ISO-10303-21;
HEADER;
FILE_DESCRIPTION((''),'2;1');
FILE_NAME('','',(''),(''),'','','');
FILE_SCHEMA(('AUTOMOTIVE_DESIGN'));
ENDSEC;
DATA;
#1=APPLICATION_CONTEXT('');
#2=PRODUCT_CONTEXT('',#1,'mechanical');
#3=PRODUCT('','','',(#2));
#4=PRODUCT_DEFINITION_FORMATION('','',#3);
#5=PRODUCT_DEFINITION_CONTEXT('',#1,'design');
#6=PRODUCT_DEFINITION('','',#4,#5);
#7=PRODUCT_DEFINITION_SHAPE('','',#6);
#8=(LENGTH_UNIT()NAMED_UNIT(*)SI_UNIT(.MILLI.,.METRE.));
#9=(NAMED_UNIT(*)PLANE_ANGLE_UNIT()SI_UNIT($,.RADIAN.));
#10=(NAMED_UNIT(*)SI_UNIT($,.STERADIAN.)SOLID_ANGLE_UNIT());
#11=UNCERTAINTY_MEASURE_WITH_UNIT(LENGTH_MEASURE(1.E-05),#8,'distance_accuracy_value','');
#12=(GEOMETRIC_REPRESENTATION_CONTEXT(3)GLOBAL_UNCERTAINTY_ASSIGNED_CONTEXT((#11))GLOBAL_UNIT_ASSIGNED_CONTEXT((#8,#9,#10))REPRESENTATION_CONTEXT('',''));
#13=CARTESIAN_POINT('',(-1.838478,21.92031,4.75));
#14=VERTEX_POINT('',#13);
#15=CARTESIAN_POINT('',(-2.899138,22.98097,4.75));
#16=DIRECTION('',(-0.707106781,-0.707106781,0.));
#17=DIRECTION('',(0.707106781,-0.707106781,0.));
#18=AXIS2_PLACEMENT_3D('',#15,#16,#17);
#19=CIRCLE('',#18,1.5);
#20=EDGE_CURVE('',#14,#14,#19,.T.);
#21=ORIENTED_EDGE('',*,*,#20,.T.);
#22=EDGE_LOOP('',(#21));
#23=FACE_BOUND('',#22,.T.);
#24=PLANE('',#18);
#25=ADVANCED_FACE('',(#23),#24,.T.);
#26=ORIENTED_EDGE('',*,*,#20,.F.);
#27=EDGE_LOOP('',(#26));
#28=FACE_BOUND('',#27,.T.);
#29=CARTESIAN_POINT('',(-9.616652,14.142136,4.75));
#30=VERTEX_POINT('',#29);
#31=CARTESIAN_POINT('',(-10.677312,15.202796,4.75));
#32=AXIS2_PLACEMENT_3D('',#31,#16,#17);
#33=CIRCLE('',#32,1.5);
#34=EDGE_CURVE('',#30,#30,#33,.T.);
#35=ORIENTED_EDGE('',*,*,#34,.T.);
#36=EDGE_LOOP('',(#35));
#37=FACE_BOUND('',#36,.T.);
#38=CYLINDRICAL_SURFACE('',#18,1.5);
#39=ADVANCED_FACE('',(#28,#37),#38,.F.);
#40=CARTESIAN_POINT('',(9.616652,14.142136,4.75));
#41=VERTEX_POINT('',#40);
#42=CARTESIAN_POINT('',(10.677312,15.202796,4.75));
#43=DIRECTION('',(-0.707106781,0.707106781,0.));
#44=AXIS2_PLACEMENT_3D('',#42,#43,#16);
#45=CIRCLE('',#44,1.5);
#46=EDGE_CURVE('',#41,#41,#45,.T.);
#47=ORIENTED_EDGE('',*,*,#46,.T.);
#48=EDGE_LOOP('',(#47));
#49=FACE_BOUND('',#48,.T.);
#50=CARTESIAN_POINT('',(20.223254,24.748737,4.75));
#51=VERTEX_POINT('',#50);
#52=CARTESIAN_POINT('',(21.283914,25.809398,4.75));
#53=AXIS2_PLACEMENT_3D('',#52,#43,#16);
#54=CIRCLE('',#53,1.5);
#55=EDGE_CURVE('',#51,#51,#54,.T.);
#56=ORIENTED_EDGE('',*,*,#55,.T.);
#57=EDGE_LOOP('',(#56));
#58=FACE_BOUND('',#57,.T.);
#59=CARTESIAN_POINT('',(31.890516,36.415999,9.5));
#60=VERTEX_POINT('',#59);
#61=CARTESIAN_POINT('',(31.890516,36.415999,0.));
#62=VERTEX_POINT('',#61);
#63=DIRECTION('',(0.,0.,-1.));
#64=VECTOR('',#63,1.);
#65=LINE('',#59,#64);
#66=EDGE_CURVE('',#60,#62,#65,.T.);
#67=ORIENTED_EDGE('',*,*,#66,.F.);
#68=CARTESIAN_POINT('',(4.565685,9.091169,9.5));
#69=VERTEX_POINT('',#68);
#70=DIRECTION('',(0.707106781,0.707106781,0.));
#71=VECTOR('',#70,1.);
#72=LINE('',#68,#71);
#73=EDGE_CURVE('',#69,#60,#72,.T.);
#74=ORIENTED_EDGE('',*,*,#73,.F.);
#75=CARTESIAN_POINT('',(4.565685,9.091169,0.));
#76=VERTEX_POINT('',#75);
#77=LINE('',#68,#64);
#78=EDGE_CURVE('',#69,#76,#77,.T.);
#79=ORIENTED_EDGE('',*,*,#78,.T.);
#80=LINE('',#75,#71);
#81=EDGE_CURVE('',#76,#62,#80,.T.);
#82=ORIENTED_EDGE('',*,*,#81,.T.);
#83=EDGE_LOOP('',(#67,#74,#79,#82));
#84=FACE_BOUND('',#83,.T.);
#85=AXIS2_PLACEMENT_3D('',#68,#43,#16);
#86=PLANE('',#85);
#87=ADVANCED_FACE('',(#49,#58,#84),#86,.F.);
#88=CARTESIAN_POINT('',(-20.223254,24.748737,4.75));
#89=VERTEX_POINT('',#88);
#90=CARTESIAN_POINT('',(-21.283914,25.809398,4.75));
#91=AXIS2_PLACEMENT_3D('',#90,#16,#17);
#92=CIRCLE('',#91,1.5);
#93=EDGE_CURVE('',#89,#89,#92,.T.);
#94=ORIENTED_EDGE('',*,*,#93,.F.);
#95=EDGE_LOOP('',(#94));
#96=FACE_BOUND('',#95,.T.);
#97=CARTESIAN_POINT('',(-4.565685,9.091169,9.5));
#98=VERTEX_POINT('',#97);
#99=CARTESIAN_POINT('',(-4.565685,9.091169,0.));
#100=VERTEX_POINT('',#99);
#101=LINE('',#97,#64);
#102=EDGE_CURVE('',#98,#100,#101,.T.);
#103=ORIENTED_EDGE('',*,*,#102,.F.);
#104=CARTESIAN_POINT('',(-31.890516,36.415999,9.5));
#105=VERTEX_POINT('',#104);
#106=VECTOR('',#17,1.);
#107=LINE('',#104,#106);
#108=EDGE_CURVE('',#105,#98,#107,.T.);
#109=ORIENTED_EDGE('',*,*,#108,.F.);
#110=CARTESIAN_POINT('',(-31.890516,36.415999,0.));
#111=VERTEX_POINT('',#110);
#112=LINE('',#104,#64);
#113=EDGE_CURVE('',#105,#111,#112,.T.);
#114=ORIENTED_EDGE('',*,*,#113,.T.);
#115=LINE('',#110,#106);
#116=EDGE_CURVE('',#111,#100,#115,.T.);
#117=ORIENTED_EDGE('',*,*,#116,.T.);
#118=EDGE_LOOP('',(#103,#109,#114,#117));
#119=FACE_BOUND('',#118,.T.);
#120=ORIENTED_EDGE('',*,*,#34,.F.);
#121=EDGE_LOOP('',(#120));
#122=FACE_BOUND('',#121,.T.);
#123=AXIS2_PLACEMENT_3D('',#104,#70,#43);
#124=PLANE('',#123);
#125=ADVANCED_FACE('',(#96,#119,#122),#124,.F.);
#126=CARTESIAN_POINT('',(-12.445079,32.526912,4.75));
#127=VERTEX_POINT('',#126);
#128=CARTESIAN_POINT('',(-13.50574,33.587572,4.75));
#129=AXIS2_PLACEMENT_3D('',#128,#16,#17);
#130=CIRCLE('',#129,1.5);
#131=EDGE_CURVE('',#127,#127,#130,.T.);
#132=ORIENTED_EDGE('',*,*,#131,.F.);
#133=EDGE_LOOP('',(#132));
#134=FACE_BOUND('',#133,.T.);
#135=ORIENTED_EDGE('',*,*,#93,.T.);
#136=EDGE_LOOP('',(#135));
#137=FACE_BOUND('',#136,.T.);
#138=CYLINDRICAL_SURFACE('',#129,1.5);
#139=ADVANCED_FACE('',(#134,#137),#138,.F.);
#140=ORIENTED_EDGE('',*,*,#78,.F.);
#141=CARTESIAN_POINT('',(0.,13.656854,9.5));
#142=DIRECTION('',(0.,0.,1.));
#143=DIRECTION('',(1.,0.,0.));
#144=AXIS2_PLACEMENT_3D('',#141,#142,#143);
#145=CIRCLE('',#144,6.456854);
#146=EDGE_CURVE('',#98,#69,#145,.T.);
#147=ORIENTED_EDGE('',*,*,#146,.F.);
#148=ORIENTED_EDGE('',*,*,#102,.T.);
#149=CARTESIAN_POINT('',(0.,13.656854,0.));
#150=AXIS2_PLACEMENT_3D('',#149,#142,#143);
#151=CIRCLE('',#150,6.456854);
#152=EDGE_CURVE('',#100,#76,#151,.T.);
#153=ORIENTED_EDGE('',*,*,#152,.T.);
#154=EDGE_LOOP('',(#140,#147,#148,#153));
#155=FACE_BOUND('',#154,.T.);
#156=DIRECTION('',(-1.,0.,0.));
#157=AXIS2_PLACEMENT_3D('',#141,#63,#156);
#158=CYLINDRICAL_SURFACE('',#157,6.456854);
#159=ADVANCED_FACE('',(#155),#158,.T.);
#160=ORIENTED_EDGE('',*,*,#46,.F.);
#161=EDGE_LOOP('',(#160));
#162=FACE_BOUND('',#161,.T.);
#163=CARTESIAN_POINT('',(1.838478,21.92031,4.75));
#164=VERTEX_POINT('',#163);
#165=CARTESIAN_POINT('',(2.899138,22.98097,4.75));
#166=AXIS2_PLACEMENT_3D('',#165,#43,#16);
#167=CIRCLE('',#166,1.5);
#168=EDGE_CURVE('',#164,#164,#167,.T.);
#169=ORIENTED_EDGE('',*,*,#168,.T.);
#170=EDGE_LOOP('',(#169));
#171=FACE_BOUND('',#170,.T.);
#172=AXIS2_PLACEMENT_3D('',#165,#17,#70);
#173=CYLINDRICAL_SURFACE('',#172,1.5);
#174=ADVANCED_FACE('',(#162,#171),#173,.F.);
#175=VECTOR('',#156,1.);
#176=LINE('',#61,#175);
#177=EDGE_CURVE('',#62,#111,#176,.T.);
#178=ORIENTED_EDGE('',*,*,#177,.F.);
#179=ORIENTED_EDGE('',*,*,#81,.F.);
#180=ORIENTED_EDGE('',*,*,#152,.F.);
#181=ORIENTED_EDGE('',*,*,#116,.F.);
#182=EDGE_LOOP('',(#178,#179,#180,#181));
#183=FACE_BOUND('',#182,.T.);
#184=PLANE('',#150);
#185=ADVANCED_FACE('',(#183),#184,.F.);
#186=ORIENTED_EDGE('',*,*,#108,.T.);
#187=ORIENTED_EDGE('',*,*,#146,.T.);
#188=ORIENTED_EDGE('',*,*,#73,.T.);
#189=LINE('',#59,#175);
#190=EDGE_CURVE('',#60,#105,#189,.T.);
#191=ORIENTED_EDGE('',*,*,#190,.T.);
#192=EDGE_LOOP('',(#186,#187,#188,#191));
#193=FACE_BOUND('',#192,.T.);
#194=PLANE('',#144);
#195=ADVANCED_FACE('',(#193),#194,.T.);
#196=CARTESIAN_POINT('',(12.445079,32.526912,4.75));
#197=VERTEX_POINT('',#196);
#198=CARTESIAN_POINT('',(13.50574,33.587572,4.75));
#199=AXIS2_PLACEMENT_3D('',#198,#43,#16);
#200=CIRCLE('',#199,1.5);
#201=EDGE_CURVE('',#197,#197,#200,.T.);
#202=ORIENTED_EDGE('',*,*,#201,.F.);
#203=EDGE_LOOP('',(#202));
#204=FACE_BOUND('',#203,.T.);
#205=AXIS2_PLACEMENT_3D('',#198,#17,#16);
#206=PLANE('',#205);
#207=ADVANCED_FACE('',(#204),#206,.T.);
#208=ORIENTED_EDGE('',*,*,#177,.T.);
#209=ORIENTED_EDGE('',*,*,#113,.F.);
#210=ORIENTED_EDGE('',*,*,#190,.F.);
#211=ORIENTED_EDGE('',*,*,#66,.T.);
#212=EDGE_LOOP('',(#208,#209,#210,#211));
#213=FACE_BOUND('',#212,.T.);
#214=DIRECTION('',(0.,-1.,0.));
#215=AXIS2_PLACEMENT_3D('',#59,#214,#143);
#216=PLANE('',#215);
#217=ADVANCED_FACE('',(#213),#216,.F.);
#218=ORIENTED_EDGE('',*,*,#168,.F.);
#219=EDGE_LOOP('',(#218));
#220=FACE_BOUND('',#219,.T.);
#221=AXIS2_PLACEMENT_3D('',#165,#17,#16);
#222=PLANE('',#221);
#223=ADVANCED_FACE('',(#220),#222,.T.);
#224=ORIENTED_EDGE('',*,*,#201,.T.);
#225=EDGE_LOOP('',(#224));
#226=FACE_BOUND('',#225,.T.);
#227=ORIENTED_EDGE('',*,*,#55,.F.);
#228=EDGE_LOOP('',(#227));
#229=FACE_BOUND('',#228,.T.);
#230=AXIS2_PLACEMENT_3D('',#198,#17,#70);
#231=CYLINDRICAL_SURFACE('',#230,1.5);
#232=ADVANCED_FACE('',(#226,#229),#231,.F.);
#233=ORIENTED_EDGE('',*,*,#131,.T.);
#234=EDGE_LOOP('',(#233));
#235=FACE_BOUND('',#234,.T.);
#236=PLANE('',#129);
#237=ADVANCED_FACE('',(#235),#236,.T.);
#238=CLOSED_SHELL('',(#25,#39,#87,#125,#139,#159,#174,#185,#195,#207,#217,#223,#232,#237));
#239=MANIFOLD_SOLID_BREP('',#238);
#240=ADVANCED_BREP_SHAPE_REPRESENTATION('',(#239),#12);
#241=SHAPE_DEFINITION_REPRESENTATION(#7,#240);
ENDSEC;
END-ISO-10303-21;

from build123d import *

# Parameters (mm, degrees)
BOSS_EXTRUDE1_DEPTH = 9.5
SKETCH5_R           = 1.5
CUT_EXTRUDE3_DEPTH  = 11


with BuildPart() as part:
    # Sketch1 → Boss-Extrude1 (new body)
    with BuildSketch(Plane.XY):
        with BuildLine():
            Line((4.565685425, 9.091168825), (31.890515832, 36.415999231))
            Line((31.890515832, 36.415999231), (-31.890515832, 36.415999231))
            Line((-31.890515832, 36.415999231), (-4.565685425, 9.091168825))
            ThreePointArc((-4.565685425, 9.091168825), (0, 7.2), (4.565685425, 9.091168825))
        make_face()
    extrude(amount=BOSS_EXTRUDE1_DEPTH)

    # Sketch5 → Cut-Extrude3 (cut)
    with BuildSketch(Plane(origin=(2.2627417, 2.2627417, 0), x_dir=(0, 0, 1), z_dir=(-0.7071067811865512, -0.7071067811865438, 0))):
        with Locations(Location((4.75, 33.3, 0), (0, 0, 270))):
            Circle(SKETCH5_R)
        with Locations(Location((4.75, 18.3, 0), (0, 0, 270))):
            Circle(SKETCH5_R)
    cut_extrude3 = extrude(amount=-CUT_EXTRUDE3_DEPTH, mode=Mode.SUBTRACT)

    # Mirror1: Cut-Extrude3 across plane
    add(cut_extrude3.mirror(Plane(origin=(0, 0, 0), x_dir=(0, 0, 1), z_dir=(1, 0, 0))), mode=Mode.SUBTRACT)


solid = part.part
